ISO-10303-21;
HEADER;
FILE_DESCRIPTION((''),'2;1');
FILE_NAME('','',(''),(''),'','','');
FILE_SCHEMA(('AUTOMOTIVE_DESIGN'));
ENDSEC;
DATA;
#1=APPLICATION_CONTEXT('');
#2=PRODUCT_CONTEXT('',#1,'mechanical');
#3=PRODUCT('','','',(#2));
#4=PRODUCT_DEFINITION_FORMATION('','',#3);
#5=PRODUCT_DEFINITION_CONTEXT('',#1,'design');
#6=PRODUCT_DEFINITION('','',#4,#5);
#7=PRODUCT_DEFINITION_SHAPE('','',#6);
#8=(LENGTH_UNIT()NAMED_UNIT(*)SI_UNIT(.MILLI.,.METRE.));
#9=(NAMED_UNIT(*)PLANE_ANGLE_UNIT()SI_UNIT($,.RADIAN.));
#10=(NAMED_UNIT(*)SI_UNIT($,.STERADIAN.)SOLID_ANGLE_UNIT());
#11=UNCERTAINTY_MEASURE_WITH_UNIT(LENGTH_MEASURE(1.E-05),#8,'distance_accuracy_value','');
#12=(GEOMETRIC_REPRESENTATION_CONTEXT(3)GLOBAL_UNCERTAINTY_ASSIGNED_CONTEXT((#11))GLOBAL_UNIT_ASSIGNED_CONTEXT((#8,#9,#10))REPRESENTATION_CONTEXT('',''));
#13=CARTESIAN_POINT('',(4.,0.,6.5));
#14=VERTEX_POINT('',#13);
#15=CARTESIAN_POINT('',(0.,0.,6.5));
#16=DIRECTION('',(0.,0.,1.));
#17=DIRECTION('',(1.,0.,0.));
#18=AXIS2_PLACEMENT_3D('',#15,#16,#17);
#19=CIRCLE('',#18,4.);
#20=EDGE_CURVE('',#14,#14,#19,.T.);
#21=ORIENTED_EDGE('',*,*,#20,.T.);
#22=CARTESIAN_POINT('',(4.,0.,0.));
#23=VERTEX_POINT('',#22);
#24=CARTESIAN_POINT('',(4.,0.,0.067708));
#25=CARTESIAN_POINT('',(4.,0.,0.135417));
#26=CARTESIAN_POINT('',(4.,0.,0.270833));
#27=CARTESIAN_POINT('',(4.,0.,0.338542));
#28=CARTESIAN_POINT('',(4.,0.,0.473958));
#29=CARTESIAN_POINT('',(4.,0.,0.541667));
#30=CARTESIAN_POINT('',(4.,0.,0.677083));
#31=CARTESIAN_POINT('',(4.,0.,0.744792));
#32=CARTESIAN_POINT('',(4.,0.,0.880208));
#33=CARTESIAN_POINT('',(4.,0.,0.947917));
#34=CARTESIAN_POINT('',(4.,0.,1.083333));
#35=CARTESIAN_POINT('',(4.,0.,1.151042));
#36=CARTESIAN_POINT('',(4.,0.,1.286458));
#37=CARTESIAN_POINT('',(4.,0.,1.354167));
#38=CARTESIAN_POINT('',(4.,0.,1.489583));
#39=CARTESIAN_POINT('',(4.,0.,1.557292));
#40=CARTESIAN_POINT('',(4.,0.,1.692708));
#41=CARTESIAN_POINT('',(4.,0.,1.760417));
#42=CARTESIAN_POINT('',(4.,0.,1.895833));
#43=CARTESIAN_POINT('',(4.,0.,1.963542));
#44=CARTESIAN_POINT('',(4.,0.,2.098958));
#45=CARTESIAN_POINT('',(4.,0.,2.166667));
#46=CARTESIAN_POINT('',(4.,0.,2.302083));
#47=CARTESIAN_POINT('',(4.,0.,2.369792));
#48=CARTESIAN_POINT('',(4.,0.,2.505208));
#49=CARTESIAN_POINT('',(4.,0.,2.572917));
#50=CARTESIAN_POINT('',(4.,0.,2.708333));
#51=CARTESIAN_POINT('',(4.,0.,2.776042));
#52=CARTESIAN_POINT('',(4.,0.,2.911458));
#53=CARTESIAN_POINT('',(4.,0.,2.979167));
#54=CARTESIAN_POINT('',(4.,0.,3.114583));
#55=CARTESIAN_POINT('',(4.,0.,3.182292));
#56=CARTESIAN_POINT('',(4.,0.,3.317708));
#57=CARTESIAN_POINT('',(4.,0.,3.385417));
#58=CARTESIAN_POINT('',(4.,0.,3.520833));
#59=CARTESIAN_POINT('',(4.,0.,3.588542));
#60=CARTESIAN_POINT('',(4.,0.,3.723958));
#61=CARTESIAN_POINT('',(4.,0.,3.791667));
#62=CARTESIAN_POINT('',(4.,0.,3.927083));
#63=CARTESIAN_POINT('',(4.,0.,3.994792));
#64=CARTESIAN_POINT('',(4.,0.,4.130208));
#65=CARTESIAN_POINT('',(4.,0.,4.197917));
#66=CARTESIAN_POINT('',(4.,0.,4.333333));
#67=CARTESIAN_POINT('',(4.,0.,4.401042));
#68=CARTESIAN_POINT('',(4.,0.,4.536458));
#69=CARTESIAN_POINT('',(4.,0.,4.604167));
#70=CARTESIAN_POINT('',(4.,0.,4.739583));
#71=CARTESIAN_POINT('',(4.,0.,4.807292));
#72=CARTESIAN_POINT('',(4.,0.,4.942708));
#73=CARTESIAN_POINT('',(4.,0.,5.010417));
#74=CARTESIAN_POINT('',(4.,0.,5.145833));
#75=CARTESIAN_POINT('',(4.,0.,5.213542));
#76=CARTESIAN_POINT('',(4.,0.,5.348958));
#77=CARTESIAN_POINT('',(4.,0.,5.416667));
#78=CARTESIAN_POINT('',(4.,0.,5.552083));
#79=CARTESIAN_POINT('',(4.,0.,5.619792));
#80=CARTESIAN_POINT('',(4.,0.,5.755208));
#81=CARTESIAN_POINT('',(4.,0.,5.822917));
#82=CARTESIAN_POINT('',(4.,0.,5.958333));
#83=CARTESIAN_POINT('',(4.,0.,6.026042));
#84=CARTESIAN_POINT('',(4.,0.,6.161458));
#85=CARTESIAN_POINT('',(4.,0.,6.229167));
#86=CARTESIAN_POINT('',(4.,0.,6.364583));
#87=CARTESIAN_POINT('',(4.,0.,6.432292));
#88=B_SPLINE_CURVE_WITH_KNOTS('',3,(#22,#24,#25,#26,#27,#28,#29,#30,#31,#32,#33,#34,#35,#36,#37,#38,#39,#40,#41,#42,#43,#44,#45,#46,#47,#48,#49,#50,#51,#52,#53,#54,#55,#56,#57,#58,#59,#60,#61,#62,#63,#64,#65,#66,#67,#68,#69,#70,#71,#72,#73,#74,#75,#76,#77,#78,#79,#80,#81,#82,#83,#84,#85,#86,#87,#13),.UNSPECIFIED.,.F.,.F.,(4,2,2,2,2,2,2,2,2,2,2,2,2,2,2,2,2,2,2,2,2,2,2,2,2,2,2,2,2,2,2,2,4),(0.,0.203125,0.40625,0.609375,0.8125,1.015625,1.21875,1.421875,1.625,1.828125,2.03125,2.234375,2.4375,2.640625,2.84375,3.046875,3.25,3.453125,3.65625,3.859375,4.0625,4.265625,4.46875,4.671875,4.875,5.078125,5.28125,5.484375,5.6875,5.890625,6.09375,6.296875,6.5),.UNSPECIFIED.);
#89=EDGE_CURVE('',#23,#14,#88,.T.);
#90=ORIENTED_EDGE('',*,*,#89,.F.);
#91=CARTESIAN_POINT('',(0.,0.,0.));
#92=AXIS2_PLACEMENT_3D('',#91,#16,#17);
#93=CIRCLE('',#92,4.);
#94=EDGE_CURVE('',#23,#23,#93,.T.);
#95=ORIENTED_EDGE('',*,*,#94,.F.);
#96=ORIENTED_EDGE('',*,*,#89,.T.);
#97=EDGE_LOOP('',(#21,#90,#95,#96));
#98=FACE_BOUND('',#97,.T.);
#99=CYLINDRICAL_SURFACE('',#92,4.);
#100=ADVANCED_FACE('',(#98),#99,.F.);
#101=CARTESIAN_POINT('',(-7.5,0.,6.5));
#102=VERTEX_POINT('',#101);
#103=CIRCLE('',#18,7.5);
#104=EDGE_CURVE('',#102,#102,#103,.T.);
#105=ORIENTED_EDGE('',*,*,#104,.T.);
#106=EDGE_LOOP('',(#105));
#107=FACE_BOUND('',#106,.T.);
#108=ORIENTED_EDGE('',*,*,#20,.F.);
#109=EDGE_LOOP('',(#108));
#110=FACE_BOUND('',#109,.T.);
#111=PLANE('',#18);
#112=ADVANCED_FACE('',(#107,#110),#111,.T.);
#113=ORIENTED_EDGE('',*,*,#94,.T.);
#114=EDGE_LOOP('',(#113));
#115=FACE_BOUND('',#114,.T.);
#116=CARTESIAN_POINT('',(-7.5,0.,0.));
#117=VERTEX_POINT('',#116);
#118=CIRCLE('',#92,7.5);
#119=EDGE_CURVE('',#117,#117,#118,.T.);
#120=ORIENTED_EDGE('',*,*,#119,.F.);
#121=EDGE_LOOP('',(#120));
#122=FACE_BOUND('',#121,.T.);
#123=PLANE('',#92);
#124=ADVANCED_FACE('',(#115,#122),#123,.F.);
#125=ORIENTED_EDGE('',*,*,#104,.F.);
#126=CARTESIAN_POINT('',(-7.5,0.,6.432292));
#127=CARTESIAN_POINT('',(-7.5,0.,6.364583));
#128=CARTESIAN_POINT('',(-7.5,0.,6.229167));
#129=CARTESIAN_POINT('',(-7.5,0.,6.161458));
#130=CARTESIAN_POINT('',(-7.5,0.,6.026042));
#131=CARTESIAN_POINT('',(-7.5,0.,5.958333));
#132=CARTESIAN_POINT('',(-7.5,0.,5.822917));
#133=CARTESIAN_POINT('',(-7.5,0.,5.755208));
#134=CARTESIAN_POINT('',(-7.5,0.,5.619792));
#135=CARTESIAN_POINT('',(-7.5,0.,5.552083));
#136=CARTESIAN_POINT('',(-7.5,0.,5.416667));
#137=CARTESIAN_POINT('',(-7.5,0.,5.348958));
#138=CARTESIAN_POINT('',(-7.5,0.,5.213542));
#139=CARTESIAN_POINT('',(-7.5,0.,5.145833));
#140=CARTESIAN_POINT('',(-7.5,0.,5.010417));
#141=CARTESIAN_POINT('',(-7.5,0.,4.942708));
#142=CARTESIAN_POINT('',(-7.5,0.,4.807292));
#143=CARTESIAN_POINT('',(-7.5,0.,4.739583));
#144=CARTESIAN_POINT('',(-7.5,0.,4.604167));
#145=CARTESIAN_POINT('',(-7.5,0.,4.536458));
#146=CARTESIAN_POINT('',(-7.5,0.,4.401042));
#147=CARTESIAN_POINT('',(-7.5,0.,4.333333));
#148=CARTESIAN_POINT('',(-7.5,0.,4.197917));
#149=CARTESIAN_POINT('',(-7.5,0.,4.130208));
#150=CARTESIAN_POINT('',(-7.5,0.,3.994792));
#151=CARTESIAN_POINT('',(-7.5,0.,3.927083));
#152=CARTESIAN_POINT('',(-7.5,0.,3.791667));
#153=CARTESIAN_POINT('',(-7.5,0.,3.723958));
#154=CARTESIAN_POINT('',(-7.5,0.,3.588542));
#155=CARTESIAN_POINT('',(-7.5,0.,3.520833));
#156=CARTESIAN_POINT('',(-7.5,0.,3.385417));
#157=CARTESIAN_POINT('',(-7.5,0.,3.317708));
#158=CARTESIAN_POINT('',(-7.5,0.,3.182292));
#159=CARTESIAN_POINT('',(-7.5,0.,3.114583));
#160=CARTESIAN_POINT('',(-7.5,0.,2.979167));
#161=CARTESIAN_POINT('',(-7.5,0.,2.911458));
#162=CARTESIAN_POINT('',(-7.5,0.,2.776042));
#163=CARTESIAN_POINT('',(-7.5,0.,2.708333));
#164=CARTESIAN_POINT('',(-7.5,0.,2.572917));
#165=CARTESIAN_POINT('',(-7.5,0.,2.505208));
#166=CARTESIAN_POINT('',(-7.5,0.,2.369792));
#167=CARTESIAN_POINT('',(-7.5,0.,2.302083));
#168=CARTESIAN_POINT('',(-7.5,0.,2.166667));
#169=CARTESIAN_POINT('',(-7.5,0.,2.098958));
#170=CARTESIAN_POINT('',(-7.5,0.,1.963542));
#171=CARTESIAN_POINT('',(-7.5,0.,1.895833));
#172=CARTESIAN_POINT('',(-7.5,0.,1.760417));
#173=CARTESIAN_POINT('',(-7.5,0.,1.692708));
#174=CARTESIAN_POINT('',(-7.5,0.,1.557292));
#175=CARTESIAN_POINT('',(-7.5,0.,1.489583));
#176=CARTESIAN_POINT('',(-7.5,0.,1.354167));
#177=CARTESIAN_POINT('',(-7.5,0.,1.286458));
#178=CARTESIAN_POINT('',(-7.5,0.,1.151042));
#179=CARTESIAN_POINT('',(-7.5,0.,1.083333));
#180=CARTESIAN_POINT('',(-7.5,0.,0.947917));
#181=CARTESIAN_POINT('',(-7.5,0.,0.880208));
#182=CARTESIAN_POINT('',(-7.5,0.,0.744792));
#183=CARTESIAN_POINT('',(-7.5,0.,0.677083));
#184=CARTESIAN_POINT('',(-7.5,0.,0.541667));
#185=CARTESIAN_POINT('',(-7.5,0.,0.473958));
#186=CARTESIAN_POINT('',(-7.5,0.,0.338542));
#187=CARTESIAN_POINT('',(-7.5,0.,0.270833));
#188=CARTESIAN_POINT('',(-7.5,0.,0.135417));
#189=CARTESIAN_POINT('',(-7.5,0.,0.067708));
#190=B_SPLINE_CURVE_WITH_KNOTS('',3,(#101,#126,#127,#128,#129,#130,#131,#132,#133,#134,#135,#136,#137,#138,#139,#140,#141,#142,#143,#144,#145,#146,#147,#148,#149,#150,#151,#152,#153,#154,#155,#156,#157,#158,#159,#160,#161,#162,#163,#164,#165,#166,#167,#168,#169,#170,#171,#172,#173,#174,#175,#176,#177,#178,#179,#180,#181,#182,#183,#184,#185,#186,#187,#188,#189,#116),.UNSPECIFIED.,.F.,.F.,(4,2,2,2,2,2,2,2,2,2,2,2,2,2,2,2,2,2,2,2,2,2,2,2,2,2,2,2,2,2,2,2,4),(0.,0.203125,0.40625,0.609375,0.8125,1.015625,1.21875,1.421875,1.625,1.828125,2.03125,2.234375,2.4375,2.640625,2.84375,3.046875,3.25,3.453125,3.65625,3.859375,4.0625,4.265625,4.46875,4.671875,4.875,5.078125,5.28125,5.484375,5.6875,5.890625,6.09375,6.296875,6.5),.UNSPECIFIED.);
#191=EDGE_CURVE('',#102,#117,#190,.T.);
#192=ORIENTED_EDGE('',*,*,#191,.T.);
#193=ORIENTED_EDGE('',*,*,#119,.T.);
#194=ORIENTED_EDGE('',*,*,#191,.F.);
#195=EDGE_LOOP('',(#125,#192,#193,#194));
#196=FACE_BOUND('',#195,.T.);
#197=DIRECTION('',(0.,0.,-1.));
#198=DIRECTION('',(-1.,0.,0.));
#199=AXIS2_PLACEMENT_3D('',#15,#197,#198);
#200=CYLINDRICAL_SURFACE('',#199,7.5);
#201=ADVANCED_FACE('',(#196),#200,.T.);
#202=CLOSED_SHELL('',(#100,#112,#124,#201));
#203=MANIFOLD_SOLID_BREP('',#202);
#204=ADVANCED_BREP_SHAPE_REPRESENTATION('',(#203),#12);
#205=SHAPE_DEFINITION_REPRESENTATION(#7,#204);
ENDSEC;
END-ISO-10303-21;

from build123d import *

# Parameters (mm, degrees)
ESQUISSE1_R             = 7.5
BOSS_EXTRU_1_DEPTH      = 6.5
ESQUISSE2_R             = 4
ENL_V_MAT_EXTRU_1_DEPTH = 6.5


with BuildPart() as part:
    # Esquisse1 → Boss.-Extru.1 (new body)
    with BuildSketch(Plane.XY):
        with Locations(Location((0, 0, 0), (0, 0, 180))):
            Circle(ESQUISSE1_R)
    extrude(amount=BOSS_EXTRU_1_DEPTH)

    # Esquisse2 → Enlèv. mat.-Extru.1 (cut)
    with BuildSketch(Plane.XY.offset(6.5)):
        Circle(ESQUISSE2_R)
    extrude(amount=-ENL_V_MAT_EXTRU_1_DEPTH, mode=Mode.SUBTRACT)


solid = part.part
